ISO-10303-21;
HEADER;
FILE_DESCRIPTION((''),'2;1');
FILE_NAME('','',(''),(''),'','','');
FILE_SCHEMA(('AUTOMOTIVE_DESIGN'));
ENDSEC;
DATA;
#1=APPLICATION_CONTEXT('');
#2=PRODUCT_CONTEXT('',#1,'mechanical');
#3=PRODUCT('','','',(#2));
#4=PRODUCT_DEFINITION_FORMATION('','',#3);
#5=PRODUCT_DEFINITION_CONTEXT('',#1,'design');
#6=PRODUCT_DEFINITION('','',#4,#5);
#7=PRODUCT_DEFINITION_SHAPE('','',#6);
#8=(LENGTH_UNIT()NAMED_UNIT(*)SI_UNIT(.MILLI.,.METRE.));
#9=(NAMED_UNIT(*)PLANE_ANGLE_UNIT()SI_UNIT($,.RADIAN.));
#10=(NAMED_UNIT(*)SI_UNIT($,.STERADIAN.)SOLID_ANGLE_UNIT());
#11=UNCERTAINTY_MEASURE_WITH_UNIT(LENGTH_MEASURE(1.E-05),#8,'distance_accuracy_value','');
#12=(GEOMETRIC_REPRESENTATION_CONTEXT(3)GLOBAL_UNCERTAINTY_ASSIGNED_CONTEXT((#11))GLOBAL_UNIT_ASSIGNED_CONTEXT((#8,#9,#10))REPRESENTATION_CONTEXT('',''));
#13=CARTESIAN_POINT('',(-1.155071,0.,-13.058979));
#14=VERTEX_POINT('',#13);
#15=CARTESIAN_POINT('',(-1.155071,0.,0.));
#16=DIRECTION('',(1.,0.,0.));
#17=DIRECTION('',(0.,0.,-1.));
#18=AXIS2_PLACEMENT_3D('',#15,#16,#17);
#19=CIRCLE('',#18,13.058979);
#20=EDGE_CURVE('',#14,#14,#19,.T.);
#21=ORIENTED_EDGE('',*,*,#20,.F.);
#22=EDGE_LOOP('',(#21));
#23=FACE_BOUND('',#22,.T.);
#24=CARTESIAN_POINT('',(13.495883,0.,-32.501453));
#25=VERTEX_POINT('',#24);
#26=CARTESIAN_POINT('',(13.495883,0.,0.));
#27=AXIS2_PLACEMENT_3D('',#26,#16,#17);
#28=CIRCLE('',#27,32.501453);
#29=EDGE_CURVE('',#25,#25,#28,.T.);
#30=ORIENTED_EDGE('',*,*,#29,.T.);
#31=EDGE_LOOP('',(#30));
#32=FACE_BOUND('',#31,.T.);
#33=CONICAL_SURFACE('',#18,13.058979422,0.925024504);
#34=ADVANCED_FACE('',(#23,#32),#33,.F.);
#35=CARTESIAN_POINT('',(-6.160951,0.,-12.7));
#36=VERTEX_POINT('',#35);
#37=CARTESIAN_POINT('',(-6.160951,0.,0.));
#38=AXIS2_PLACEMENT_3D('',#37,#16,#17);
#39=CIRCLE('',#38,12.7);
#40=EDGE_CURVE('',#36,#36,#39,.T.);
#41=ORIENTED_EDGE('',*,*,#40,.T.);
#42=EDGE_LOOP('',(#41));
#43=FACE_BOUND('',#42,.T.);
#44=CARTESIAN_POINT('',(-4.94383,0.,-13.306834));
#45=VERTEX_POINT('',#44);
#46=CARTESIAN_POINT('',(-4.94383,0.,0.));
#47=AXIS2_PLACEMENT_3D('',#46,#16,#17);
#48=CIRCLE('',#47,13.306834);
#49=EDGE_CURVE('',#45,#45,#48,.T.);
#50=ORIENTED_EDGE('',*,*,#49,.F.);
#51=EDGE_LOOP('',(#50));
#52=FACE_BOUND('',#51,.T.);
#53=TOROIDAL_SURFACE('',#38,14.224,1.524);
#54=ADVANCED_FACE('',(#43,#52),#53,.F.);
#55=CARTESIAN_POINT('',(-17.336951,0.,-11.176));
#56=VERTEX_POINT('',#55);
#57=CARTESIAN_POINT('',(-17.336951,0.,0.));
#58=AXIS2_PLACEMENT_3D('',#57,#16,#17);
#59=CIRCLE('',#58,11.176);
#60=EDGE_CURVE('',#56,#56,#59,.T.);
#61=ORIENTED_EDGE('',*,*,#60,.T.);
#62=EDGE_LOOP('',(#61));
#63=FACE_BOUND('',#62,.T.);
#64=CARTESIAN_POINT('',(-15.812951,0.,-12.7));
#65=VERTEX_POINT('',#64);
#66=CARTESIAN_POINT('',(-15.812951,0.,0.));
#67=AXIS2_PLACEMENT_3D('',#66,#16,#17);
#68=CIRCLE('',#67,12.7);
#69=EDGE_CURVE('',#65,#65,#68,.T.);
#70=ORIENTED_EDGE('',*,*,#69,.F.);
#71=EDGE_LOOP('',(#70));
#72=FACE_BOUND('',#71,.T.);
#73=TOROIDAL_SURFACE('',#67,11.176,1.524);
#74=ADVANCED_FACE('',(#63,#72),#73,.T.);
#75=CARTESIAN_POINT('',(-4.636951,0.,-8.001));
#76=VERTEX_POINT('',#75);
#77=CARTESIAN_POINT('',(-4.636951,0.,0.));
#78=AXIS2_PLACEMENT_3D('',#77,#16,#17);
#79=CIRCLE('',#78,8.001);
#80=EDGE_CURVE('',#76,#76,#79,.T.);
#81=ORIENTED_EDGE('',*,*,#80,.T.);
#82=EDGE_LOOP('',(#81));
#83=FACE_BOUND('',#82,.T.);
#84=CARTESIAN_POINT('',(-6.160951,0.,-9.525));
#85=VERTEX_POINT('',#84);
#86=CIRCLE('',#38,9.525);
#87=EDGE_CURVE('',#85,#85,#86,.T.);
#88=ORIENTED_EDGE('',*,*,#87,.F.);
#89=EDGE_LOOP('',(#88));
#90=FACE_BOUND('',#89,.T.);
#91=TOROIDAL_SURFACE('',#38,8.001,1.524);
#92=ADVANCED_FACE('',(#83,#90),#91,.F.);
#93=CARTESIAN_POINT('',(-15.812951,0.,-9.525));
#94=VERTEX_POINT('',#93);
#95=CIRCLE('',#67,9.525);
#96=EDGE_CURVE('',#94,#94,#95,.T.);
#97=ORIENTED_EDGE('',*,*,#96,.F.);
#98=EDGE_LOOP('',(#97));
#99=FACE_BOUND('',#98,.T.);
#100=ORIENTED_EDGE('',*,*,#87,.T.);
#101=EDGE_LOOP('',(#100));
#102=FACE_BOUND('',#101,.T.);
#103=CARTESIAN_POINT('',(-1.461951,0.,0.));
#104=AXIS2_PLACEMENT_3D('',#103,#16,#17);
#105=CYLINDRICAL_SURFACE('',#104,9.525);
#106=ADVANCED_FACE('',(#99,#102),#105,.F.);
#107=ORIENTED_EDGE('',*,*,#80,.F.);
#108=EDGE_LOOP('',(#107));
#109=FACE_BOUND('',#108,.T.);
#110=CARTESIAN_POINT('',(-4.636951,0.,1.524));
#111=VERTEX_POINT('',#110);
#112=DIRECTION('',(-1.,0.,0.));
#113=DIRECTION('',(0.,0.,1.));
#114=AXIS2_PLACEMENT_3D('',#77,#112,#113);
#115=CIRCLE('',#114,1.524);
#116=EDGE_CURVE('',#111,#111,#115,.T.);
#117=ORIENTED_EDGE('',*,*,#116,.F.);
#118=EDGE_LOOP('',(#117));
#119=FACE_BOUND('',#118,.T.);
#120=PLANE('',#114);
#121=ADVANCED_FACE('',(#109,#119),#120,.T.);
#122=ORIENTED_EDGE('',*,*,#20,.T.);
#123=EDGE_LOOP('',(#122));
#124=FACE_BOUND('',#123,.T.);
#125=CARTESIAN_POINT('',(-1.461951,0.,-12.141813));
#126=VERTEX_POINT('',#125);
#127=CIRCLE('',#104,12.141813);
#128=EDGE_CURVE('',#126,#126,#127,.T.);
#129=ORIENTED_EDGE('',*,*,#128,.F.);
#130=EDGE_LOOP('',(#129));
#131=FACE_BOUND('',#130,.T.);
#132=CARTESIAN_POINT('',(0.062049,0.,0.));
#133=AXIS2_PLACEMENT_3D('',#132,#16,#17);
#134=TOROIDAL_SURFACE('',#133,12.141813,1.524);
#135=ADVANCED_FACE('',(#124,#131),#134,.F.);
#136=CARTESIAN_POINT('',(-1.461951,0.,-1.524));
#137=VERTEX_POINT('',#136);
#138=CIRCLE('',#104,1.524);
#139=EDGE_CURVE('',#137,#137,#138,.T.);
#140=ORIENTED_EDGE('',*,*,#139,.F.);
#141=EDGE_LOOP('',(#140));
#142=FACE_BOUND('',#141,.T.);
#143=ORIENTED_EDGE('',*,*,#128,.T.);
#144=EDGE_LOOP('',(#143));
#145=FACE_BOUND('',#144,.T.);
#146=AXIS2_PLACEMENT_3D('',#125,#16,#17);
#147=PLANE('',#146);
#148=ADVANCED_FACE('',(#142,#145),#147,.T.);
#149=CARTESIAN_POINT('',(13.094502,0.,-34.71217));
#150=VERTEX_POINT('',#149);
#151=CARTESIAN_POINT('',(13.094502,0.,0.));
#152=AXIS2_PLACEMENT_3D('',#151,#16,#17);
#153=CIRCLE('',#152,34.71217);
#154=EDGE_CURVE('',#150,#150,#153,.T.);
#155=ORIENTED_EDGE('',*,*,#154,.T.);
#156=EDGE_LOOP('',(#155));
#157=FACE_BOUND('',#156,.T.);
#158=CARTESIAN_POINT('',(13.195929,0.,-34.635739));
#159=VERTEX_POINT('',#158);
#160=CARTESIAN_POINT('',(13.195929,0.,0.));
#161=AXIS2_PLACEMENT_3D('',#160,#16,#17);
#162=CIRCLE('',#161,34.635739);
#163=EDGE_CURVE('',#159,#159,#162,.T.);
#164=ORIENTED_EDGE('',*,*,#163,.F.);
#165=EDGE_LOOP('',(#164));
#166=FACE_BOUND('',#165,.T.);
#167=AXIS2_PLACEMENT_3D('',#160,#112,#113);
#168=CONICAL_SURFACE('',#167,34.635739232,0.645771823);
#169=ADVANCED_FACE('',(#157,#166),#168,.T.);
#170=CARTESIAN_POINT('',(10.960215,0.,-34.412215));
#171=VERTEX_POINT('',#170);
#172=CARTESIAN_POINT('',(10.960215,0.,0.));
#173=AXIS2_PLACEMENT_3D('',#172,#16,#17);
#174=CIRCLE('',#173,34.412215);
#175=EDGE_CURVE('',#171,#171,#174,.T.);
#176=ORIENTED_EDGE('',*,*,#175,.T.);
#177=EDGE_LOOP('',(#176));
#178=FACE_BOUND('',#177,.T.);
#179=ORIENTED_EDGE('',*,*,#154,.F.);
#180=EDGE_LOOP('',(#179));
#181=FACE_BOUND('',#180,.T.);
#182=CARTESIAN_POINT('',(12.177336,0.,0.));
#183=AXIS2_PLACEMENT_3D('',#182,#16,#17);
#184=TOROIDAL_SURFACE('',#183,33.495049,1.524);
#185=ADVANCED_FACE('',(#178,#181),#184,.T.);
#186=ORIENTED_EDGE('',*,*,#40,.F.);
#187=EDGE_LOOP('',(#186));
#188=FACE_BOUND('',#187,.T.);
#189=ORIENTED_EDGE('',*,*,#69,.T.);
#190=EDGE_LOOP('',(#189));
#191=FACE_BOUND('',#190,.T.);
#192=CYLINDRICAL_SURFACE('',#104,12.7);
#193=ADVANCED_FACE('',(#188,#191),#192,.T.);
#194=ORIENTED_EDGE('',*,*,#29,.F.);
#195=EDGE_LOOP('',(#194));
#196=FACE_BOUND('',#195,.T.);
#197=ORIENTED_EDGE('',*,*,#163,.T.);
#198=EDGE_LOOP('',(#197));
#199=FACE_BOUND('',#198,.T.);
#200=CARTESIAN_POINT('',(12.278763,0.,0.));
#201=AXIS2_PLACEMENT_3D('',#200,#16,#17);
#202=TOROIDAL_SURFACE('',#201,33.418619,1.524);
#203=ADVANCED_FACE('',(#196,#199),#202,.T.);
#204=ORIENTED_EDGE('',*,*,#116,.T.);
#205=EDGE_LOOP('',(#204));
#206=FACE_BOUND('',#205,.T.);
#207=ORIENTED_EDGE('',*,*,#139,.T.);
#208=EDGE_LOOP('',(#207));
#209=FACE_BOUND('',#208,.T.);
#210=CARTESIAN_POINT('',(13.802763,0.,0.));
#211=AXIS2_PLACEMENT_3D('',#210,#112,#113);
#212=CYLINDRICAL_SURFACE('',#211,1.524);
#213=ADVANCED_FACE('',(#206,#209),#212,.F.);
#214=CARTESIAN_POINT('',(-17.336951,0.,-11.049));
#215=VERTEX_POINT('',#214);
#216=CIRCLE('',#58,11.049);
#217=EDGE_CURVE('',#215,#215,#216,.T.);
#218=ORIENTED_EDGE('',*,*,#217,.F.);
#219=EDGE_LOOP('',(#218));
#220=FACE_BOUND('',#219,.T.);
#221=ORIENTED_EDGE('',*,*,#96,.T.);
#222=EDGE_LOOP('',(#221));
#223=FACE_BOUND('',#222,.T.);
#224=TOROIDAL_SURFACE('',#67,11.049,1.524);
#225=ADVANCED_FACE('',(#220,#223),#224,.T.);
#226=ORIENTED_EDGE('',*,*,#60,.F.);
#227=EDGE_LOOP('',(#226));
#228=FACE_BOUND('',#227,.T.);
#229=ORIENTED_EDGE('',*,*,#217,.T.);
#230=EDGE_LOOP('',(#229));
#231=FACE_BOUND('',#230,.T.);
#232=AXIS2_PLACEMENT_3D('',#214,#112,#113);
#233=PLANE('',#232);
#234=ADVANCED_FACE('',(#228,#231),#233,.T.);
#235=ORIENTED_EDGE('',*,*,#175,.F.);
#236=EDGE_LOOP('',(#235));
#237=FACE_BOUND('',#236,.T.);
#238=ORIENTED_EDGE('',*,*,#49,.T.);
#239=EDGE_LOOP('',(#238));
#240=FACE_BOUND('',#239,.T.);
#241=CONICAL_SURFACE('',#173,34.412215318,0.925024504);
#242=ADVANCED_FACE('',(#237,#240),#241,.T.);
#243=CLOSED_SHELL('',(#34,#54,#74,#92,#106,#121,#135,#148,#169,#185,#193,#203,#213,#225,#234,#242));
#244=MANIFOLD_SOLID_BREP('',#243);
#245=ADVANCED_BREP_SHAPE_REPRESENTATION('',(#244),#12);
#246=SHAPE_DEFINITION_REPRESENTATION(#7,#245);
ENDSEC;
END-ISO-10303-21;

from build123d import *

# Parameters (mm, degrees)
SKETCH3_R          = 1.524
CUT_EXTRUDE1_DEPTH = 19.439713487


with BuildPart() as part:
    # Sketch2 → Revolve1 (revolve)
    with BuildSketch(Plane(origin=(0, 0, 0), x_dir=(1, 0, 0), z_dir=(0, 1, 0))):
        with BuildLine():
            Line((-17.336950759, 11.049), (-17.336950759, 11.176))
            ThreePointArc((-17.336950759, 11.176), (-16.890581493, 12.253630735), (-15.812950759, 12.7))
            Line((-15.812950759, 12.7), (-6.160950759, 12.7))
            ThreePointArc((-6.160950759, 12.7), (-5.480945291, 12.860120033), (-4.943830241, 13.306833905))
            Line((-4.943830241, 13.306833905), (10.960215402, 34.412215318))
            ThreePointArc((10.960215402, 34.412215318), (11.965236113, 35.00421776), (13.094502014, 34.71216974))
            Line((13.094502014, 34.71216974), (13.195928724, 34.635739232))
            ThreePointArc((13.195928724, 34.635739232), (13.787931166, 33.630718521), (13.495883146, 32.50145262))
            Line((13.495883146, 32.50145262), (-1.155071276, 13.058979422))
            ThreePointArc((-1.155071276, 13.058979422), (-1.383196009, 12.625385623), (-1.461950759, 12.141813327))
            Line((-1.461950759, 12.141813327), (-1.461950759, 0))
            Line((-1.461950759, 0), (-4.636950759, 0))
            Line((-4.636950759, 0), (-4.636950759, 8.001))
            ThreePointArc((-4.636950759, 8.001), (-5.083320024, 9.078630735), (-6.160950759, 9.525))
            Line((-6.160950759, 9.525), (-15.812950759, 9.525))
            ThreePointArc((-15.812950759, 9.525), (-16.890581493, 9.971369265), (-17.336950759, 11.049))
        make_face()
    revolve(axis=Axis((-1.461950759, 0, 0), (-1, 0, 0)))

    # Sketch3 → Cut-Extrude1 (cut, through all)
    with BuildSketch(Plane.ZY.offset(4.636950759)):
        Circle(SKETCH3_R)
    extrude(amount=-CUT_EXTRUDE1_DEPTH, mode=Mode.SUBTRACT)


solid = part.part
